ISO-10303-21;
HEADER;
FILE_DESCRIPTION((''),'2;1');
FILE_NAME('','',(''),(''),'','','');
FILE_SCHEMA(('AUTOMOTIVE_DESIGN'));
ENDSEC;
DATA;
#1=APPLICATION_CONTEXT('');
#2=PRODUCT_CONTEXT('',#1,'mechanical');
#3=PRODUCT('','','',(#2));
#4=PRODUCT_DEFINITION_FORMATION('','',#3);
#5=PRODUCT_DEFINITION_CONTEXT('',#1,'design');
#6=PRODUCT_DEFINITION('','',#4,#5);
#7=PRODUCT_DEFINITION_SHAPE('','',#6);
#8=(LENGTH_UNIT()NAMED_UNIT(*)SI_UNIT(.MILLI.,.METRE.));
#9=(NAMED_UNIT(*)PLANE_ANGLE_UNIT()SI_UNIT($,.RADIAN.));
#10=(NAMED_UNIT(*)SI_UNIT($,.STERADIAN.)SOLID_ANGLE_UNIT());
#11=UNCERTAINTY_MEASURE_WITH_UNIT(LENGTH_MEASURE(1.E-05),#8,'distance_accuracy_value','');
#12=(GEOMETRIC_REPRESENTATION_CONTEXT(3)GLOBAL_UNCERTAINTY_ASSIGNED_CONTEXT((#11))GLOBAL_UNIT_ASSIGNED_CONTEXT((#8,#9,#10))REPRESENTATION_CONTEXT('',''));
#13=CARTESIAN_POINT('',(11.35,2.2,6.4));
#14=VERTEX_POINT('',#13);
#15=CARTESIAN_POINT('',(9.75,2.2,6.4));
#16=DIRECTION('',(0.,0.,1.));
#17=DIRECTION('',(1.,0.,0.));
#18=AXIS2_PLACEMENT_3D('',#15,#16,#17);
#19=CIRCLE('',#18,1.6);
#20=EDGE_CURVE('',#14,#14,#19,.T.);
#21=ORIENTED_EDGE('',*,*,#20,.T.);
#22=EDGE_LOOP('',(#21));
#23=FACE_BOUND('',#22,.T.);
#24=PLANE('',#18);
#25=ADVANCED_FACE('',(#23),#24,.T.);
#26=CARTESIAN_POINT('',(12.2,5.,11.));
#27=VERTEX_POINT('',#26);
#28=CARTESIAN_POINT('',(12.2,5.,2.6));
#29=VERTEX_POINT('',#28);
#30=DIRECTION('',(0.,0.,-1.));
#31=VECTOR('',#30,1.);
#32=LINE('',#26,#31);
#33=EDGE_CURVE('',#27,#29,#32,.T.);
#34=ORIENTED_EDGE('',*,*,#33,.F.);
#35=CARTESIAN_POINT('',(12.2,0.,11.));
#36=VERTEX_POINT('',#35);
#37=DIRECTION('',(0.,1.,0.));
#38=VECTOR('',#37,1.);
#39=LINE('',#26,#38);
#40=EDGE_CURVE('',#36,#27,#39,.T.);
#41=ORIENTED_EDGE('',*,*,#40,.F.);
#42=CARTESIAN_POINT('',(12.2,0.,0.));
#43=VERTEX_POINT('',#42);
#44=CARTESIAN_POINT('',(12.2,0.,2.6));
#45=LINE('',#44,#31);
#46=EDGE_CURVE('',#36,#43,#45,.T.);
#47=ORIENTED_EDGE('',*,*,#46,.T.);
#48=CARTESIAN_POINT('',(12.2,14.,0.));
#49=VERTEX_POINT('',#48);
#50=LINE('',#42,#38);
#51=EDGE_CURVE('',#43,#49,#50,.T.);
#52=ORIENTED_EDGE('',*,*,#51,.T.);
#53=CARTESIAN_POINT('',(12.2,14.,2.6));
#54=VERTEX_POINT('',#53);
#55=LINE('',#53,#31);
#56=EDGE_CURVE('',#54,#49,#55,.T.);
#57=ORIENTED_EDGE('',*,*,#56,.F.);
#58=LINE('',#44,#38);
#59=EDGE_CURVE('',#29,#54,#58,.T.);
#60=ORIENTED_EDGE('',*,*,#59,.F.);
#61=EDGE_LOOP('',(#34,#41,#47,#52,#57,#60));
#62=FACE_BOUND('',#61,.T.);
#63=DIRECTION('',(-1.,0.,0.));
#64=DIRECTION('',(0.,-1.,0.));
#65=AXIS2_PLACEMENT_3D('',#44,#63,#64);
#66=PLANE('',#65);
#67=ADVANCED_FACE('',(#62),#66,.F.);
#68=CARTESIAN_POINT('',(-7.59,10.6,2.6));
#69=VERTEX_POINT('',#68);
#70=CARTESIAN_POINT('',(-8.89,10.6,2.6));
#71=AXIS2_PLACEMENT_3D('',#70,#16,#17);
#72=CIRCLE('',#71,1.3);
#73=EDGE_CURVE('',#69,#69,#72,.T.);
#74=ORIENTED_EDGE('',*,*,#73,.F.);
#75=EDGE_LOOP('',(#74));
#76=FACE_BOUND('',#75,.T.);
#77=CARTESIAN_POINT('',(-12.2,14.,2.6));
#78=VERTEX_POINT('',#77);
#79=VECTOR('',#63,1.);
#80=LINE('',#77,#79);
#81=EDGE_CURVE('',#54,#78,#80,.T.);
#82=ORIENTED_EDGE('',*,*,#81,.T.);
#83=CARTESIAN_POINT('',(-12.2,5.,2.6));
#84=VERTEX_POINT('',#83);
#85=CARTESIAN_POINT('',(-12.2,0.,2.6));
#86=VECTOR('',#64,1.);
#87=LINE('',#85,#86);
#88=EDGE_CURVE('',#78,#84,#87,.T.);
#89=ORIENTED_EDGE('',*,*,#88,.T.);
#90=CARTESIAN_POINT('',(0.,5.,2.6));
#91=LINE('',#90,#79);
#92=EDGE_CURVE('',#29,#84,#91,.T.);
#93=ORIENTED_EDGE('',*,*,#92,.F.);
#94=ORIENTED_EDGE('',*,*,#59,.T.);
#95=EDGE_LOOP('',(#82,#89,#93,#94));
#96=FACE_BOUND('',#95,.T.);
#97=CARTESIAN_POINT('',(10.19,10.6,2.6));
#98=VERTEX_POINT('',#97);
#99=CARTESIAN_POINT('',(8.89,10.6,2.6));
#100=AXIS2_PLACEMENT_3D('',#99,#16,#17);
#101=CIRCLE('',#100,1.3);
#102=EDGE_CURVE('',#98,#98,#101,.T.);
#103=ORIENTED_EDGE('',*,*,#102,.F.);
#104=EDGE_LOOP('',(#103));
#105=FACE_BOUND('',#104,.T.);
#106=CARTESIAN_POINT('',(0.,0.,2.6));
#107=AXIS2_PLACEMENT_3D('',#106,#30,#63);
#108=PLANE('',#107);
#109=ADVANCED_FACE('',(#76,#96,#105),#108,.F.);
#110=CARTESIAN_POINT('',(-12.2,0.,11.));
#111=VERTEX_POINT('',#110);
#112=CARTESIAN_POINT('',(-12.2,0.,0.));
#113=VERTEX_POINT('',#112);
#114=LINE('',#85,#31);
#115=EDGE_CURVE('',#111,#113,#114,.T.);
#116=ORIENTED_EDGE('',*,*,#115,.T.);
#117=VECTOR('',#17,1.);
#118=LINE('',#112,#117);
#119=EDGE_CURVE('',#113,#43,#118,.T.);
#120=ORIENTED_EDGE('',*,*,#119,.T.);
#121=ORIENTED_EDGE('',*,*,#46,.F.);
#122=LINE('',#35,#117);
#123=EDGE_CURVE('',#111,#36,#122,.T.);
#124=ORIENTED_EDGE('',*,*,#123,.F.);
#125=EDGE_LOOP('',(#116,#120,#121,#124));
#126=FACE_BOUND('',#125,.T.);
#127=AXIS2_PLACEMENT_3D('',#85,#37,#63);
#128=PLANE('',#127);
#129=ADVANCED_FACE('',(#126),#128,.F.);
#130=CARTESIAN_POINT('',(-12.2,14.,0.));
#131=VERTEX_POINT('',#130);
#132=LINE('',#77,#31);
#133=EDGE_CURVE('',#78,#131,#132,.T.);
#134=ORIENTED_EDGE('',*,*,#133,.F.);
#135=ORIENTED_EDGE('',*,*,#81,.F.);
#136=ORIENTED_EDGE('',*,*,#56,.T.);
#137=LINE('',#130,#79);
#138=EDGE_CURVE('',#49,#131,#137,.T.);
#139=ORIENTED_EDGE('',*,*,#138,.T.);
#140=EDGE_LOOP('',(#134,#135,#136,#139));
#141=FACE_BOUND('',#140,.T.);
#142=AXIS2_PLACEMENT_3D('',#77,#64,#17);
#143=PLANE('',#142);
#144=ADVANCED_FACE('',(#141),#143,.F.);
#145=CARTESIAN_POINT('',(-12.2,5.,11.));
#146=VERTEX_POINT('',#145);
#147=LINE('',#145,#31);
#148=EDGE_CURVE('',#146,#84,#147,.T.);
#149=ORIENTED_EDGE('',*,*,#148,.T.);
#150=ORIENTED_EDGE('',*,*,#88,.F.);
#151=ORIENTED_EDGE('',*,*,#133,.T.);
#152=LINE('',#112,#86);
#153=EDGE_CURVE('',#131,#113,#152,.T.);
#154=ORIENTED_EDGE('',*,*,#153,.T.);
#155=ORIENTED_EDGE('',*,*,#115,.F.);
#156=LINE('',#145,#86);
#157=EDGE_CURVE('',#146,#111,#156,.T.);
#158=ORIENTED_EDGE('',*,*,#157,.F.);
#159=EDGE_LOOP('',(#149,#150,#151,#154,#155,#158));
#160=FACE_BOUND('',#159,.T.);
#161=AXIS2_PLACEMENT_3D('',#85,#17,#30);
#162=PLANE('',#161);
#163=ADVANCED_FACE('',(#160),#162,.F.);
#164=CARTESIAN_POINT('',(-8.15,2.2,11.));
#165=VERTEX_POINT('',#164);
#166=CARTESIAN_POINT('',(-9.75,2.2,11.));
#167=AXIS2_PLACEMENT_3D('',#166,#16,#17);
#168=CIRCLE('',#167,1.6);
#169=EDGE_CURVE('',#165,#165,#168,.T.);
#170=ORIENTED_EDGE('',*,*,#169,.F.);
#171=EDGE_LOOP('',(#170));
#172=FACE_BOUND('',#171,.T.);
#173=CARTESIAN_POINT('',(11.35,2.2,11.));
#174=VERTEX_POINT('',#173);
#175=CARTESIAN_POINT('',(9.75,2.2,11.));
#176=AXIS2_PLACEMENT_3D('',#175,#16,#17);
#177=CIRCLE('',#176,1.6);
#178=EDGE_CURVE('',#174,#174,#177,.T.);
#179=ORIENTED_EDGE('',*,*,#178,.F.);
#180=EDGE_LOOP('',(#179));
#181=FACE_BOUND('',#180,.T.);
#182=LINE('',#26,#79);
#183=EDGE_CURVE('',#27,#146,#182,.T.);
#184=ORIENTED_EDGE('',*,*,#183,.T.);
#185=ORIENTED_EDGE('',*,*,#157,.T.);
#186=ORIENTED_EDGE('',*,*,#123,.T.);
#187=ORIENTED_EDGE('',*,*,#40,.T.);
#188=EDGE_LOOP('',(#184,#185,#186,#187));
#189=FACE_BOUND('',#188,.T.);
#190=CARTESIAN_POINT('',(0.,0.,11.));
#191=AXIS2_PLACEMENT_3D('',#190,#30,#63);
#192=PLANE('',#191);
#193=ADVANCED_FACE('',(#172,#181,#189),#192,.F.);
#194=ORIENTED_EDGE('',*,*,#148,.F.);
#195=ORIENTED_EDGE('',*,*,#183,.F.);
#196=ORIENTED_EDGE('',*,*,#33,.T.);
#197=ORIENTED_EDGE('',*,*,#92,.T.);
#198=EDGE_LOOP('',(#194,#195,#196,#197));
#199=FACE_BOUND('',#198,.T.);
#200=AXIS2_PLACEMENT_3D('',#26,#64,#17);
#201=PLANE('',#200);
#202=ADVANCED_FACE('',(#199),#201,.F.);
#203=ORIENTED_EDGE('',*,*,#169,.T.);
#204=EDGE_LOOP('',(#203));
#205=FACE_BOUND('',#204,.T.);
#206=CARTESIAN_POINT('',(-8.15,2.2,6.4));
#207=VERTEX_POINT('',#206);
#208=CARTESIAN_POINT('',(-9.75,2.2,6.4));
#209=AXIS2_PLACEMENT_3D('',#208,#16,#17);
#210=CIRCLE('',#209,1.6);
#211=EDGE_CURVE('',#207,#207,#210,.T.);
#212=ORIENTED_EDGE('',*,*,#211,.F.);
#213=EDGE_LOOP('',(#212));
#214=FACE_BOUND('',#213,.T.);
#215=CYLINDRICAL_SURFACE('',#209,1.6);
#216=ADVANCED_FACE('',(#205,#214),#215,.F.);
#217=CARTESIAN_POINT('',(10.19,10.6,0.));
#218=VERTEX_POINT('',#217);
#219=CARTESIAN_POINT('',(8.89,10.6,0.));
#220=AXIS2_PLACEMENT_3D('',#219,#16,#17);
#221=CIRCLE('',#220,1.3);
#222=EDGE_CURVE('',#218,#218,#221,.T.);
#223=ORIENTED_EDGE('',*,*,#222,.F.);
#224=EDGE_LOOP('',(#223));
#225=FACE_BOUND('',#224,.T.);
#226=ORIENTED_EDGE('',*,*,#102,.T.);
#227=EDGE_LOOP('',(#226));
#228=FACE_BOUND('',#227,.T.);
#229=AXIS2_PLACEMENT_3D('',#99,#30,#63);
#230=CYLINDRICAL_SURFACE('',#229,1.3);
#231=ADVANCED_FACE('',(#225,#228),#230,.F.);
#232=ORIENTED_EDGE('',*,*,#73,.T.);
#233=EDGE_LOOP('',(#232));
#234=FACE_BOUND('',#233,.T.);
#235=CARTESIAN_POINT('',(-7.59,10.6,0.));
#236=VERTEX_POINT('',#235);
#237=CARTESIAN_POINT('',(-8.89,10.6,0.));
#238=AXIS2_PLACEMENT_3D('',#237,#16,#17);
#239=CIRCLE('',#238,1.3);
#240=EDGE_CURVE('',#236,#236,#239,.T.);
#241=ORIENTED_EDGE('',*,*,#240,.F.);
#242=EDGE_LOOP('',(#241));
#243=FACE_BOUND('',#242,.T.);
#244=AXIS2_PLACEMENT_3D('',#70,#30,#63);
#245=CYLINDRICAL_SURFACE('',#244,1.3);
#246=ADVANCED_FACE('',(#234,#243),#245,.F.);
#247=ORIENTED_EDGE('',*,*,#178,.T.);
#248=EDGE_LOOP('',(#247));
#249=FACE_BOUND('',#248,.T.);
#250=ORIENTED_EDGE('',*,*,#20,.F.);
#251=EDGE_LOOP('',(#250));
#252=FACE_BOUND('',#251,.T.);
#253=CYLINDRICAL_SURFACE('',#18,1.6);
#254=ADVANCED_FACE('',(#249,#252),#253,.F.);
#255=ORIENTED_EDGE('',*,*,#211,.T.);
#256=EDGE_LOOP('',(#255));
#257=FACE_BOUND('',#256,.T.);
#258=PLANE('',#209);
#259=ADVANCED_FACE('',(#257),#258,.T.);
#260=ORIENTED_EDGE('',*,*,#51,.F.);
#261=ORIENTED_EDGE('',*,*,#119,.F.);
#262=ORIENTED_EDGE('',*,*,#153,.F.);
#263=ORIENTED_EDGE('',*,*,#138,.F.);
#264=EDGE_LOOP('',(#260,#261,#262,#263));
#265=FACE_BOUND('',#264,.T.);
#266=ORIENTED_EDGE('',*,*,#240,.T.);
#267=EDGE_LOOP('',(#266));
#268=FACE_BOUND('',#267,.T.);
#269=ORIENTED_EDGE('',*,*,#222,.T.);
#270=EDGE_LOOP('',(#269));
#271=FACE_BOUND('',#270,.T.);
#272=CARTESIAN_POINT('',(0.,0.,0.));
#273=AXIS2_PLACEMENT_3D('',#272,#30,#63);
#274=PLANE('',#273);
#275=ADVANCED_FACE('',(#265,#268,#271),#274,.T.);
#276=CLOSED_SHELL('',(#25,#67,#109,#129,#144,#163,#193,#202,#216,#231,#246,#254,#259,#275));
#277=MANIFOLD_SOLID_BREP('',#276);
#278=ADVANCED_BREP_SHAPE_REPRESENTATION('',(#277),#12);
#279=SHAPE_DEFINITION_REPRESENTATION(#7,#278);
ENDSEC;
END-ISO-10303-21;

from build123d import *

# Parameters (mm, degrees)
SKETCH1_W           = 24.4
SKETCH1_H           = 14
SKETCH1_R           = 1.3
BOSS_EXTRUDE1_DEPTH = 2.6
SKETCH2_W           = 24.4
SKETCH2_H           = 5
BOSS_EXTRUDE2_DEPTH = 11
SKETCH3_R           = 1.6
CUT_EXTRUDE1_DEPTH  = 4.6


with BuildPart() as part:
    # Sketch1 → Boss-Extrude1 (new body)
    with BuildSketch(Plane.XY):
        with Locations((0, 7)):
            Rectangle(SKETCH1_W, SKETCH1_H)
        with Locations((-8.89, 10.6)):
            Circle(SKETCH1_R, mode=Mode.SUBTRACT)
        with Locations((8.89, 10.6)):
            Circle(SKETCH1_R, mode=Mode.SUBTRACT)
    extrude(amount=BOSS_EXTRUDE1_DEPTH)

    # Sketch2 → Boss-Extrude2 (add)
    with BuildSketch(Plane.XY):
        with Locations((0, 2.5)):
            Rectangle(SKETCH2_W, SKETCH2_H)
    extrude(amount=BOSS_EXTRUDE2_DEPTH)

    # Sketch3 → Cut-Extrude1 (cut)
    with BuildSketch(Plane.XY.offset(11)):
        with Locations((-9.75, 2.2)):
            Circle(SKETCH3_R)
        with Locations((9.75, 2.2)):
            Circle(SKETCH3_R)
    extrude(amount=-CUT_EXTRUDE1_DEPTH, mode=Mode.SUBTRACT)


solid = part.part
